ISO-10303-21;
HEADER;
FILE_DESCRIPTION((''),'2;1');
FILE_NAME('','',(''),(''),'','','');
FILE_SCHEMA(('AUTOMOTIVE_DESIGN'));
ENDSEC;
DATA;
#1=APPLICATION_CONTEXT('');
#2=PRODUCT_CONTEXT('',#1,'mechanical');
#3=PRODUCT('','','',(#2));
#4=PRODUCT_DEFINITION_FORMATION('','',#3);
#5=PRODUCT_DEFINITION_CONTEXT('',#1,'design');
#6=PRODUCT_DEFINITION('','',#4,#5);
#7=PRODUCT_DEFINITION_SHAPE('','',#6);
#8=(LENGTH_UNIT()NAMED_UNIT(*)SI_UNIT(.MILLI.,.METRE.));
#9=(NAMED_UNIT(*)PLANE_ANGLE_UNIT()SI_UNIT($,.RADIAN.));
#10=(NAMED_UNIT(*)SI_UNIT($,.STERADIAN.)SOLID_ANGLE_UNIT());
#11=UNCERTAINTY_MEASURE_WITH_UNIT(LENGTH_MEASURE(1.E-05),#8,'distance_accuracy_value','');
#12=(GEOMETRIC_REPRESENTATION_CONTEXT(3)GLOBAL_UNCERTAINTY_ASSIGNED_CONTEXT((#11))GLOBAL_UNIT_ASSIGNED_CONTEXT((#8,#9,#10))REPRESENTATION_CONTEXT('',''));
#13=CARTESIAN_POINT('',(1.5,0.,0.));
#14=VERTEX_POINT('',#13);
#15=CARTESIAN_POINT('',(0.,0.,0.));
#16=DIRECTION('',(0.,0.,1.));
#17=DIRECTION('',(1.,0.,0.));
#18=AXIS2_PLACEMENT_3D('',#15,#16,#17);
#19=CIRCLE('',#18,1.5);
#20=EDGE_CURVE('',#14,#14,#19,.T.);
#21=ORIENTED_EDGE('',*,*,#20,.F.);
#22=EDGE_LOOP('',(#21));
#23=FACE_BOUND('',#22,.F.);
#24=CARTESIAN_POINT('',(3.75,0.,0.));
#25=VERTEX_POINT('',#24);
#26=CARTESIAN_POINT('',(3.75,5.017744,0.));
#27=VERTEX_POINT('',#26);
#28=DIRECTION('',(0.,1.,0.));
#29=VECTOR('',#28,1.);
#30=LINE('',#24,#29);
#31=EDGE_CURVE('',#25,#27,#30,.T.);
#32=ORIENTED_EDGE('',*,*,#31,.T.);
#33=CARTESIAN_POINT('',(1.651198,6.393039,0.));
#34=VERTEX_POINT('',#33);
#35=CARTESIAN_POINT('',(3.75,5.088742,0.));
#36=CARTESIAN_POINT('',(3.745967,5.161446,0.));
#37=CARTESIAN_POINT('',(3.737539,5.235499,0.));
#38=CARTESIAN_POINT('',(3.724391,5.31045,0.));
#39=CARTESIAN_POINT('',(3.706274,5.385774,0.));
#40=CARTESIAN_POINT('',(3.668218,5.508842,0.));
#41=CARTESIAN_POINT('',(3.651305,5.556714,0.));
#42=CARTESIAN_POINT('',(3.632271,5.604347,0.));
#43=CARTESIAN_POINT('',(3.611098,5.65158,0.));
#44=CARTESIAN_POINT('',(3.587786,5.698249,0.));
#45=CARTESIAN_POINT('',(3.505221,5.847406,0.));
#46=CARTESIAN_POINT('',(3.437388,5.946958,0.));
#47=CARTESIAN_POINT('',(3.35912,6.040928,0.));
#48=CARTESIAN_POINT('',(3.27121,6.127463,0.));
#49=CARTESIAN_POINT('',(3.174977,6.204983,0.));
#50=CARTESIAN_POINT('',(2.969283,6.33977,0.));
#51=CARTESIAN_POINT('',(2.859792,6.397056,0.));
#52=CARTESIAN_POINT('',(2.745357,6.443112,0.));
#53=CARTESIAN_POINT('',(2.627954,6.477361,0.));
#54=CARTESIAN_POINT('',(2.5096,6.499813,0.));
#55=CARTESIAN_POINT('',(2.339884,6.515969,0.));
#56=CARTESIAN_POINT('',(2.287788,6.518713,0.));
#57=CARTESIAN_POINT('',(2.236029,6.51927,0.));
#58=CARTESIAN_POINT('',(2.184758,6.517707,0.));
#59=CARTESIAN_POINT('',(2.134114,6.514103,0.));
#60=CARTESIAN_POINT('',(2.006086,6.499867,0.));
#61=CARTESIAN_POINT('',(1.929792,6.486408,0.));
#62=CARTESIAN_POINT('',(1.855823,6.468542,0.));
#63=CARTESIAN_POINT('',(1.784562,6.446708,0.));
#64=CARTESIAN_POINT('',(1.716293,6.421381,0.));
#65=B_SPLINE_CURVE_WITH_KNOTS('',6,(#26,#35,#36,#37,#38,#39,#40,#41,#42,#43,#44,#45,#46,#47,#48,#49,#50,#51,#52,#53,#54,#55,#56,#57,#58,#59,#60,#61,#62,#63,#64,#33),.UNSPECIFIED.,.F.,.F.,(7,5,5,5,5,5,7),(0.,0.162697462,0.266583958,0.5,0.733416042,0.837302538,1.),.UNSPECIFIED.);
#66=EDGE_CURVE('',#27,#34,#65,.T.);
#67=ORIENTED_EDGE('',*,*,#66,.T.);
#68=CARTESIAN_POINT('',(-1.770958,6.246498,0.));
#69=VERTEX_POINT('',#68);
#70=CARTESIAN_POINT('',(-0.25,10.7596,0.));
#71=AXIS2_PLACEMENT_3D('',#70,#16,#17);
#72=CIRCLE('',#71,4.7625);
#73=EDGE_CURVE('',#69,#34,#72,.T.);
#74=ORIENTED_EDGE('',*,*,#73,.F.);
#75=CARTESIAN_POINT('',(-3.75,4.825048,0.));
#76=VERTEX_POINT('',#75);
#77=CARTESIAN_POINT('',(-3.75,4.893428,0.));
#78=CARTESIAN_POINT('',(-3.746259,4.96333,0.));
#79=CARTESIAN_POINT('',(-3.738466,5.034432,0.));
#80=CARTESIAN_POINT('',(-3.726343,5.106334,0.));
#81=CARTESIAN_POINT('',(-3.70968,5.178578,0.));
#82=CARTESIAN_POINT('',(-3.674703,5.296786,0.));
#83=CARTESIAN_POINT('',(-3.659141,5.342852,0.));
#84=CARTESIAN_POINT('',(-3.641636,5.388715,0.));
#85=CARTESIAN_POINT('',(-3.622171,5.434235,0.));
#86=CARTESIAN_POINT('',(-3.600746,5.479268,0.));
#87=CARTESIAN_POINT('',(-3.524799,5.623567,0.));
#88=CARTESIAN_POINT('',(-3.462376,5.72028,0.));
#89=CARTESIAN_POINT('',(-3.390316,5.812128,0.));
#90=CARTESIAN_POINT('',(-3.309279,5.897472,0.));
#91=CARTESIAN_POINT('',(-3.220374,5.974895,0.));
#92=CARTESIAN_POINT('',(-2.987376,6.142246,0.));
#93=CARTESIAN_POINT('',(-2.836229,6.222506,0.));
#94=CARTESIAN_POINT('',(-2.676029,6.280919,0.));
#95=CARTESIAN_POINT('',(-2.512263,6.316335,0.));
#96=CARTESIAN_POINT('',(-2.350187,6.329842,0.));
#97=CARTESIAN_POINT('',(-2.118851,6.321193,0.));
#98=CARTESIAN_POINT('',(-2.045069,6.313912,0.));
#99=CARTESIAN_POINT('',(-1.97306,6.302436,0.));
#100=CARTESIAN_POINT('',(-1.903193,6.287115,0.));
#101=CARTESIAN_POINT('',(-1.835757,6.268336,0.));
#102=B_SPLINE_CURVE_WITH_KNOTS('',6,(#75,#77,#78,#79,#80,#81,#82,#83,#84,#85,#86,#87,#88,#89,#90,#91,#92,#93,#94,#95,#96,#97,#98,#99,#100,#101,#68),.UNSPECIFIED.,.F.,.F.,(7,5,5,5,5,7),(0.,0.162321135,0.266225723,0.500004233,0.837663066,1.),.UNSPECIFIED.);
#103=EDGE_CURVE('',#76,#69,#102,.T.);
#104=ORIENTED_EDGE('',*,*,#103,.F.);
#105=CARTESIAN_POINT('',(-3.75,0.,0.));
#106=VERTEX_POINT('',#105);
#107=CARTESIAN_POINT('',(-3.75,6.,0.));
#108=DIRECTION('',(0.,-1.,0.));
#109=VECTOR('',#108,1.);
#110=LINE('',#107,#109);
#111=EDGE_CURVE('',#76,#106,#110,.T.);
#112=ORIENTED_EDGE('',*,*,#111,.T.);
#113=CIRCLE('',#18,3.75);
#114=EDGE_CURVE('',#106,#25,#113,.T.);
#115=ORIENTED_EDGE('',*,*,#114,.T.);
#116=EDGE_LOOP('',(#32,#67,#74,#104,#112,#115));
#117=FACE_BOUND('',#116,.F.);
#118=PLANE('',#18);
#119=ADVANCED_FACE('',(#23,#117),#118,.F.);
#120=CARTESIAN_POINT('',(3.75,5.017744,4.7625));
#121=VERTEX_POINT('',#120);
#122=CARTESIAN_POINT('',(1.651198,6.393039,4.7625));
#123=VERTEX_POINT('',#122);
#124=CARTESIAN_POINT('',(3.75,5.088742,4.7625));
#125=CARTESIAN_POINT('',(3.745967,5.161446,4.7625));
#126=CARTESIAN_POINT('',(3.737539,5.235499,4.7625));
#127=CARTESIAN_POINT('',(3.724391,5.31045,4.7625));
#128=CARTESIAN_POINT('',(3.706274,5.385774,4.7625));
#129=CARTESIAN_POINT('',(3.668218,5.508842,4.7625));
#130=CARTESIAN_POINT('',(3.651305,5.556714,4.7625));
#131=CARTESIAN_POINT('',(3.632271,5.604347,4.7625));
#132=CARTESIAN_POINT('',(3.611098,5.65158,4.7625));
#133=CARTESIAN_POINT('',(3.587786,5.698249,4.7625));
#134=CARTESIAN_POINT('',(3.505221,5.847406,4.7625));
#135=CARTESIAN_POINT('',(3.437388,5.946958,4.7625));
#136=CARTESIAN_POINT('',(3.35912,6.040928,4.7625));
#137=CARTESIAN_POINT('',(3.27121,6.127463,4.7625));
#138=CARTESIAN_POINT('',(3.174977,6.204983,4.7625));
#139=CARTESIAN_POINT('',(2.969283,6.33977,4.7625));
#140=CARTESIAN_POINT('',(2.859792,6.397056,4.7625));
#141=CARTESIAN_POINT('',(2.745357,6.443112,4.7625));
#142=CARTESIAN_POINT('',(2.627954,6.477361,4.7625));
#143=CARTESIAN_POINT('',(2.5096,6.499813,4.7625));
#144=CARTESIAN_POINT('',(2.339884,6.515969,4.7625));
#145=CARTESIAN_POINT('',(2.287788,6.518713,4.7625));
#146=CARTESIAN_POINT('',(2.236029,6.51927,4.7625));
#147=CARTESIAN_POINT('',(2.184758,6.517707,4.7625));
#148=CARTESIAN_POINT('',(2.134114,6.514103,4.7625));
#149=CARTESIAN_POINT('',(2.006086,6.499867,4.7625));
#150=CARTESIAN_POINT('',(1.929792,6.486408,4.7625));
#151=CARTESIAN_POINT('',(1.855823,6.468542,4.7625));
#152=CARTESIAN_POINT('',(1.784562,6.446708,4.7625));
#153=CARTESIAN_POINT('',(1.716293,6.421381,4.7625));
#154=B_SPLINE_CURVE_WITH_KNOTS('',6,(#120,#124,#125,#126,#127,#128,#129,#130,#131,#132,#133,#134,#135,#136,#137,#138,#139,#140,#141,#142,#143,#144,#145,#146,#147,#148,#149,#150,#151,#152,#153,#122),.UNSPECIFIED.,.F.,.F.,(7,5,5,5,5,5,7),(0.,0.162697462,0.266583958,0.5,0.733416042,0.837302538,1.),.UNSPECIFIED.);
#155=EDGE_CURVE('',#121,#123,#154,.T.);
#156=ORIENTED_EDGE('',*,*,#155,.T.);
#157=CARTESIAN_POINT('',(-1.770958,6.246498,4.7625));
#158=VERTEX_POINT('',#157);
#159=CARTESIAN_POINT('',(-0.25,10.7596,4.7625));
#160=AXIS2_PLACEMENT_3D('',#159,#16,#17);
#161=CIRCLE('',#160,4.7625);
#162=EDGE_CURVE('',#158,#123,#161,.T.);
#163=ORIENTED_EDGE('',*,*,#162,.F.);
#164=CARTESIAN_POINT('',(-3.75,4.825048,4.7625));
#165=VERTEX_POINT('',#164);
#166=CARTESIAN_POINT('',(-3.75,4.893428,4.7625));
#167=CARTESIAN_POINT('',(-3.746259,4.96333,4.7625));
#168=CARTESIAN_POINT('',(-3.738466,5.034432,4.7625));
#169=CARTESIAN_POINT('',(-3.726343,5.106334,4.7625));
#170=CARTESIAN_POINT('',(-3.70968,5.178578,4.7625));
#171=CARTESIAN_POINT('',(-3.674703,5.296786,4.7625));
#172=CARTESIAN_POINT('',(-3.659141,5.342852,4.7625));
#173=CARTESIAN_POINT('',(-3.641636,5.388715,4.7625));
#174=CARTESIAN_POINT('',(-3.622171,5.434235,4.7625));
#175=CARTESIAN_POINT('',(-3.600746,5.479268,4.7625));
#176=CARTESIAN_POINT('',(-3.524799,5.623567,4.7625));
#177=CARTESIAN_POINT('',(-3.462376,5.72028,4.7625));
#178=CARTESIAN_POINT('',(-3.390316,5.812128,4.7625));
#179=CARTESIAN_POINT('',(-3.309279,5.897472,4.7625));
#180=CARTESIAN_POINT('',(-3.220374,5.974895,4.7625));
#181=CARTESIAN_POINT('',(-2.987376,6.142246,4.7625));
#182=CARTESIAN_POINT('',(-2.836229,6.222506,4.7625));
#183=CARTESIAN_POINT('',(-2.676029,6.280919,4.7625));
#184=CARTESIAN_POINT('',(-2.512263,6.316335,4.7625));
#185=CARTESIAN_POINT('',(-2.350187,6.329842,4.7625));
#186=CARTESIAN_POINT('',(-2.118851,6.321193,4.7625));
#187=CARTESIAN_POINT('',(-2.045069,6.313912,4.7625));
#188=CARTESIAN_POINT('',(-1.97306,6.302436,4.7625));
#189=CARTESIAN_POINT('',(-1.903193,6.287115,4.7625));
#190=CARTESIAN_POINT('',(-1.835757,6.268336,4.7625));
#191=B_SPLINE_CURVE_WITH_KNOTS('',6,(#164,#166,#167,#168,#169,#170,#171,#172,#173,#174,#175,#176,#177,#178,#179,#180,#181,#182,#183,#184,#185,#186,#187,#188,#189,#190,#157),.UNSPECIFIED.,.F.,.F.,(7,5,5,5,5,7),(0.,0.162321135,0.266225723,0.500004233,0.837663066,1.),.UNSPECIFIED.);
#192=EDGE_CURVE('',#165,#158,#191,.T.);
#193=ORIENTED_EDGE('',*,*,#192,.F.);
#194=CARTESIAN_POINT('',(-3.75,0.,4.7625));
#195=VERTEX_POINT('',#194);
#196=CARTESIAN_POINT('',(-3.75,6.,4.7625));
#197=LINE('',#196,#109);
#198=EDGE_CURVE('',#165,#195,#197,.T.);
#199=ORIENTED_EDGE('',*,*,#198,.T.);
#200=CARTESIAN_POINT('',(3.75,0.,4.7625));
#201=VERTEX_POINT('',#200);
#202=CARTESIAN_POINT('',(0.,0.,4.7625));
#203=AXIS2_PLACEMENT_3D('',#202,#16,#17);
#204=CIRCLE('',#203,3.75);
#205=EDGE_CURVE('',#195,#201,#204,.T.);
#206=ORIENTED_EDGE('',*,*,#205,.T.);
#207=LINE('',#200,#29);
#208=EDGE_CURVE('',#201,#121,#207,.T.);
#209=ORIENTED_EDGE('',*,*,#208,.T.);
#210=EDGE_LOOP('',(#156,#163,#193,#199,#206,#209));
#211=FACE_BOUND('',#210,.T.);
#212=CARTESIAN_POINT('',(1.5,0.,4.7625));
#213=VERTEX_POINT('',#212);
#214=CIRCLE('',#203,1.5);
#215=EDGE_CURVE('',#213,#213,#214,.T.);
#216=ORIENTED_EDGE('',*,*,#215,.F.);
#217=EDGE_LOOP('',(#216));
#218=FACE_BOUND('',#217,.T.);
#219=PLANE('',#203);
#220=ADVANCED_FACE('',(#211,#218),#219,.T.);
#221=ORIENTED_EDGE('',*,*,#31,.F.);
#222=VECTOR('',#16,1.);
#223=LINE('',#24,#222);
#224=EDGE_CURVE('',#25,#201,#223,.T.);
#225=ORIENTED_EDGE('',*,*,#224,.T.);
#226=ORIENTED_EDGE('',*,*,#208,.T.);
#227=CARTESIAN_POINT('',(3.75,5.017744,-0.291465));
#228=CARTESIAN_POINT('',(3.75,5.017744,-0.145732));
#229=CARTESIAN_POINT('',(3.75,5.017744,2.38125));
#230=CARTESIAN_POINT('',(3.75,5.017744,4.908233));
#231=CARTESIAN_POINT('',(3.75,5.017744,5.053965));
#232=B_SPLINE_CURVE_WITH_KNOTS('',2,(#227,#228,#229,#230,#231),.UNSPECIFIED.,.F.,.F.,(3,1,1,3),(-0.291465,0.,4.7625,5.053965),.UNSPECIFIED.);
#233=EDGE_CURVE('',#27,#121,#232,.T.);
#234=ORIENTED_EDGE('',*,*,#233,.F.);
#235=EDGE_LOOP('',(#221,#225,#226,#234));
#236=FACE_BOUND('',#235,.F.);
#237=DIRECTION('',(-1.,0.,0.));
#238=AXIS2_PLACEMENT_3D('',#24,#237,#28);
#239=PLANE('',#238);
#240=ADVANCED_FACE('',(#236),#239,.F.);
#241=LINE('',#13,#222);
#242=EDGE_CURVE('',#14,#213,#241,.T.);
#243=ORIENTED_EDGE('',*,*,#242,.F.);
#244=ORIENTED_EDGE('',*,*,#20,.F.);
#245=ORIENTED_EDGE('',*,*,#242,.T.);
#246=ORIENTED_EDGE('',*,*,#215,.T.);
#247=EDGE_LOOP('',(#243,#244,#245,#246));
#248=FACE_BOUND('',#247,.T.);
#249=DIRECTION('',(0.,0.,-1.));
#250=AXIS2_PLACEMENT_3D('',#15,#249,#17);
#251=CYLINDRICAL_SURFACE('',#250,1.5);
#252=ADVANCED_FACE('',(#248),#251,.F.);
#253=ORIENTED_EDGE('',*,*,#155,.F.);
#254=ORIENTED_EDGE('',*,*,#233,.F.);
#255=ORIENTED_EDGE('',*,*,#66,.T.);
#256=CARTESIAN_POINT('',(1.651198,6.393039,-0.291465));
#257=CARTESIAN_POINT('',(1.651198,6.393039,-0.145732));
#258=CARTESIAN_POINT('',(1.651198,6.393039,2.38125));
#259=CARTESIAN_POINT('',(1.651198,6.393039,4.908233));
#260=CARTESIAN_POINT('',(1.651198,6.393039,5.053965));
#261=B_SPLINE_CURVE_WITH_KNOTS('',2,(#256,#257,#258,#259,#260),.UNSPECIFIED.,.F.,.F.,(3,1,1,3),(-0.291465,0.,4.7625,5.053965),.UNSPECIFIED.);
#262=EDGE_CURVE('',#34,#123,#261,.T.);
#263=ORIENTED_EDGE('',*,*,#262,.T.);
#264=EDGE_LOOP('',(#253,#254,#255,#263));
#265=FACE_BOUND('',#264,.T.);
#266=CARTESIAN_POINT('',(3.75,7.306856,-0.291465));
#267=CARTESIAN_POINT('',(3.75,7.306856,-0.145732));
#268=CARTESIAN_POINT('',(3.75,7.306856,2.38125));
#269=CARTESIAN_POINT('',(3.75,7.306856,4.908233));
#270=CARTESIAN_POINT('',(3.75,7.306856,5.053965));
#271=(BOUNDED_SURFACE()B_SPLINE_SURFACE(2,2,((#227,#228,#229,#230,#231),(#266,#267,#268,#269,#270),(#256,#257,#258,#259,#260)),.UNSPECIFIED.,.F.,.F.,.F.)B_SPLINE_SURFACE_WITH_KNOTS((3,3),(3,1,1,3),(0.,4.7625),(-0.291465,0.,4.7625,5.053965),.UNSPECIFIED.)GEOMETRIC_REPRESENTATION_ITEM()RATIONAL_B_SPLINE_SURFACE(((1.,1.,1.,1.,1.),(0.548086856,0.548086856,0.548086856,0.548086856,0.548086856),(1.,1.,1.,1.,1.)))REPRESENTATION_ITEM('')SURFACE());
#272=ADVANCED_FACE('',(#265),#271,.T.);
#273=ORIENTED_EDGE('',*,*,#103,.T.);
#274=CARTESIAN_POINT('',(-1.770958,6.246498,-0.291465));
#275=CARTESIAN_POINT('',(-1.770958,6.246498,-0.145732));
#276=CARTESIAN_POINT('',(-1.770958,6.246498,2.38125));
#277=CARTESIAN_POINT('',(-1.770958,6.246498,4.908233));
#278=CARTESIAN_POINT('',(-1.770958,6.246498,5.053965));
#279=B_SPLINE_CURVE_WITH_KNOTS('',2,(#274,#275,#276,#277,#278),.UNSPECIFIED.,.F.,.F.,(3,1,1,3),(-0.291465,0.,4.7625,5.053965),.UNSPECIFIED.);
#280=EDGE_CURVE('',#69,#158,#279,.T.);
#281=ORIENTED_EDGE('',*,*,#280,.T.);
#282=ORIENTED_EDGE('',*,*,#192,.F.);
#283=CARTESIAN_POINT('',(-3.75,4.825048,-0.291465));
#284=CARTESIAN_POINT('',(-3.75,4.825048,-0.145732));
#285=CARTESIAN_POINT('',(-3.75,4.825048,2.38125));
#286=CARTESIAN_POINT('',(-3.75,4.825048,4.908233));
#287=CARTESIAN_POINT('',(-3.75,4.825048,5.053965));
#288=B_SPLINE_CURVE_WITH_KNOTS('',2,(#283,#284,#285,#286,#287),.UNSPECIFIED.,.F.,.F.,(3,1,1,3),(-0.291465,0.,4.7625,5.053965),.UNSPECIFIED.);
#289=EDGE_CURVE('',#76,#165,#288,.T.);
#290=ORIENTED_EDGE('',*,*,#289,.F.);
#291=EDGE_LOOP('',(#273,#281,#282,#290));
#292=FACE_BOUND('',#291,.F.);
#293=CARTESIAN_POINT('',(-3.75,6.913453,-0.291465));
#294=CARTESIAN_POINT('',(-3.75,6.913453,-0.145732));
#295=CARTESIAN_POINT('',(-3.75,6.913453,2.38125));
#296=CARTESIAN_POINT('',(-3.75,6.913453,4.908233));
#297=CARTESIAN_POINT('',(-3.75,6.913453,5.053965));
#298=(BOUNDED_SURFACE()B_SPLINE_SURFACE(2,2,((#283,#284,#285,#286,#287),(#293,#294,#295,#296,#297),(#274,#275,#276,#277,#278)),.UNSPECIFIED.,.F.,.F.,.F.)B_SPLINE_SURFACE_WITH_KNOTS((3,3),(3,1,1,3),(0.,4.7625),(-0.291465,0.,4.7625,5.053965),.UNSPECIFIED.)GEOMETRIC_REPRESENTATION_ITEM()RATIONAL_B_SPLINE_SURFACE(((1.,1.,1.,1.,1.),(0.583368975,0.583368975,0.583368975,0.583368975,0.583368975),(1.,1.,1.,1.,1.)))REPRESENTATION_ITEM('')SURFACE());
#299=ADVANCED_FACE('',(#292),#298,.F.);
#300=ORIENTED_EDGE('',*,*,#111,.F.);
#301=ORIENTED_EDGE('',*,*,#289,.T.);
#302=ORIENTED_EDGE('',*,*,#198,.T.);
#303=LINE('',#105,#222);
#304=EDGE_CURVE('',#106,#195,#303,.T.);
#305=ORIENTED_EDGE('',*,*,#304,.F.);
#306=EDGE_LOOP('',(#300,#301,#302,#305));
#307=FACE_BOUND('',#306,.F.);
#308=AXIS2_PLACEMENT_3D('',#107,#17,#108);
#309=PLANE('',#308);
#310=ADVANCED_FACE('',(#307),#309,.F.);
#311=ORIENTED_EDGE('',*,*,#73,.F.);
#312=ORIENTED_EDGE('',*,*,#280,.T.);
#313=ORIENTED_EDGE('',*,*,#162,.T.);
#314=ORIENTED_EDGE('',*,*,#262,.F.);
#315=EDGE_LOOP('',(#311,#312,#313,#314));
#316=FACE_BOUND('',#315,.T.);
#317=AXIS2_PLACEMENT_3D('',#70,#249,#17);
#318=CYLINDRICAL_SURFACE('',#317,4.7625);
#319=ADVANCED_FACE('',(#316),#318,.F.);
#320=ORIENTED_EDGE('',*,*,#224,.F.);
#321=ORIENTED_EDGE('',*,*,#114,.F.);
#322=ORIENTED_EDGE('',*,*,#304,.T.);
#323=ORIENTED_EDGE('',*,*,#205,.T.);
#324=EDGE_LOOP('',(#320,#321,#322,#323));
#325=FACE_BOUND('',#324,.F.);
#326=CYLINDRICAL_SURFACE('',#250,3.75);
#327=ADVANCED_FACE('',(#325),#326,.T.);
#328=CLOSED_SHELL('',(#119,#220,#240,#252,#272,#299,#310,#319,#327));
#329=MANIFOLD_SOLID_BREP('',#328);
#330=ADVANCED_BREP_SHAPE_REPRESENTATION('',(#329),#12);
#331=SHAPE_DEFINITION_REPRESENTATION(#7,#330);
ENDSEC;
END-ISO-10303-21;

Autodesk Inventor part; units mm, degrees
ref_plane "YZ Plane" through (0, 0, 0) normal (1, 0, 0) x (0, 1, 0)
ref_plane "XZ Plane" through (0, 0, 0) normal (0, 1, 0) x (-1, 0, 0)
ref_plane "XY Plane" through (0, 0, 0) normal (0, 0, 1) x (1, 0, 0)
sketch "Sketch1" plane through (0, 0, 0) normal (0, 0, 1) x (1, 0, 0)
  circle A0 centre (0, 0) radius 1.5
  circle A1 centre (0, 0) radius 3.75
  circle A2 centre (0, 0) radius 6 construction
  line L0 (0, 0) -> (0, 6) construction
  circle A3 centre (-0.25, 10.7596) radius 4.7625
  line L1 (0, 0) -> (0, 6) construction
  line L2 (3.75, 0) -> (3.75, 6)
  line L3 (-3.75, 6) -> (-3.75, 0)
  arc A4 (-3.75, 0) -> (3.75, 0) centre (0, 0) ccw
  arc A5 (3.75, 6) -> (-2.25, 3) centre (0, 6) ccw
  arc A6 (-3.6447, 0.8824) -> (-3.6447, 5.1176) centre (-12.392, 3) ccw
  point P0 (0, 3)
  point P1 (-3.6798, 6.7221)
  point P2 (3.75, 0)
  point P3 (3.3637, 7.6576)
  point P4 (-3.75, 0)
  point P5 (-3.5189, 7.2961)
  dimension "d2" = 12
  dimension "d0" = 3
  dimension "d1" = 7.5
  dimension "d3" = 9.525
  dimension "d4" = 3.75
  dimension "d9" = 0.25
  dimension "d10" = 9
extrude "Extrusion1" add sketch "Sketch1" along normal blind 4.7625 contours A1 | A1 A5 A3 L2 | A1 A6 A5 | L3 A5 A6 A1
fillet "Fillet1" radius 1.5 2 edges at (3.3637, 7.6576, 2.3813) (-3.5189, 7.2961, 2.3813)
sketch "Sketch2" plane through (0, 0, 0) normal (0, 0, -1) x (-1, 0, 0)
  line L0 (-3.75, 0) -> (-3.75, 5.0177) projected
  arc A0 (-3.75, 0) -> (3.75, 0) centre (0, 0) ccw projected
  circle A1 centre (0, 0) radius 1.5 projected
  circle A2 centre (0, 0) radius 6.9991 construction
  arc A3 (3.75, 4.825) -> (1.771, 6.2465) centre (2.25, 4.825) ccw projected
  arc A4 (-1.6512, 6.393) -> (1.771, 6.2465) centre (0.25, 10.7596) ccw projected
  arc A5 (-1.6512, 6.393) -> (-3.75, 5.0177) centre (-2.25, 5.0177) ccw projected
  line L1 (3.75, 4.825) -> (3.75, 0) projected
  arc A6 (-1.6512, 6.393) -> (-3.75, 5.0177) centre (-2.25, 5.0177) ccw projected
equation "\"d4\" = 0.5 * d1"
properties part number "Cam - Lever" material "Nylon 6/6"
